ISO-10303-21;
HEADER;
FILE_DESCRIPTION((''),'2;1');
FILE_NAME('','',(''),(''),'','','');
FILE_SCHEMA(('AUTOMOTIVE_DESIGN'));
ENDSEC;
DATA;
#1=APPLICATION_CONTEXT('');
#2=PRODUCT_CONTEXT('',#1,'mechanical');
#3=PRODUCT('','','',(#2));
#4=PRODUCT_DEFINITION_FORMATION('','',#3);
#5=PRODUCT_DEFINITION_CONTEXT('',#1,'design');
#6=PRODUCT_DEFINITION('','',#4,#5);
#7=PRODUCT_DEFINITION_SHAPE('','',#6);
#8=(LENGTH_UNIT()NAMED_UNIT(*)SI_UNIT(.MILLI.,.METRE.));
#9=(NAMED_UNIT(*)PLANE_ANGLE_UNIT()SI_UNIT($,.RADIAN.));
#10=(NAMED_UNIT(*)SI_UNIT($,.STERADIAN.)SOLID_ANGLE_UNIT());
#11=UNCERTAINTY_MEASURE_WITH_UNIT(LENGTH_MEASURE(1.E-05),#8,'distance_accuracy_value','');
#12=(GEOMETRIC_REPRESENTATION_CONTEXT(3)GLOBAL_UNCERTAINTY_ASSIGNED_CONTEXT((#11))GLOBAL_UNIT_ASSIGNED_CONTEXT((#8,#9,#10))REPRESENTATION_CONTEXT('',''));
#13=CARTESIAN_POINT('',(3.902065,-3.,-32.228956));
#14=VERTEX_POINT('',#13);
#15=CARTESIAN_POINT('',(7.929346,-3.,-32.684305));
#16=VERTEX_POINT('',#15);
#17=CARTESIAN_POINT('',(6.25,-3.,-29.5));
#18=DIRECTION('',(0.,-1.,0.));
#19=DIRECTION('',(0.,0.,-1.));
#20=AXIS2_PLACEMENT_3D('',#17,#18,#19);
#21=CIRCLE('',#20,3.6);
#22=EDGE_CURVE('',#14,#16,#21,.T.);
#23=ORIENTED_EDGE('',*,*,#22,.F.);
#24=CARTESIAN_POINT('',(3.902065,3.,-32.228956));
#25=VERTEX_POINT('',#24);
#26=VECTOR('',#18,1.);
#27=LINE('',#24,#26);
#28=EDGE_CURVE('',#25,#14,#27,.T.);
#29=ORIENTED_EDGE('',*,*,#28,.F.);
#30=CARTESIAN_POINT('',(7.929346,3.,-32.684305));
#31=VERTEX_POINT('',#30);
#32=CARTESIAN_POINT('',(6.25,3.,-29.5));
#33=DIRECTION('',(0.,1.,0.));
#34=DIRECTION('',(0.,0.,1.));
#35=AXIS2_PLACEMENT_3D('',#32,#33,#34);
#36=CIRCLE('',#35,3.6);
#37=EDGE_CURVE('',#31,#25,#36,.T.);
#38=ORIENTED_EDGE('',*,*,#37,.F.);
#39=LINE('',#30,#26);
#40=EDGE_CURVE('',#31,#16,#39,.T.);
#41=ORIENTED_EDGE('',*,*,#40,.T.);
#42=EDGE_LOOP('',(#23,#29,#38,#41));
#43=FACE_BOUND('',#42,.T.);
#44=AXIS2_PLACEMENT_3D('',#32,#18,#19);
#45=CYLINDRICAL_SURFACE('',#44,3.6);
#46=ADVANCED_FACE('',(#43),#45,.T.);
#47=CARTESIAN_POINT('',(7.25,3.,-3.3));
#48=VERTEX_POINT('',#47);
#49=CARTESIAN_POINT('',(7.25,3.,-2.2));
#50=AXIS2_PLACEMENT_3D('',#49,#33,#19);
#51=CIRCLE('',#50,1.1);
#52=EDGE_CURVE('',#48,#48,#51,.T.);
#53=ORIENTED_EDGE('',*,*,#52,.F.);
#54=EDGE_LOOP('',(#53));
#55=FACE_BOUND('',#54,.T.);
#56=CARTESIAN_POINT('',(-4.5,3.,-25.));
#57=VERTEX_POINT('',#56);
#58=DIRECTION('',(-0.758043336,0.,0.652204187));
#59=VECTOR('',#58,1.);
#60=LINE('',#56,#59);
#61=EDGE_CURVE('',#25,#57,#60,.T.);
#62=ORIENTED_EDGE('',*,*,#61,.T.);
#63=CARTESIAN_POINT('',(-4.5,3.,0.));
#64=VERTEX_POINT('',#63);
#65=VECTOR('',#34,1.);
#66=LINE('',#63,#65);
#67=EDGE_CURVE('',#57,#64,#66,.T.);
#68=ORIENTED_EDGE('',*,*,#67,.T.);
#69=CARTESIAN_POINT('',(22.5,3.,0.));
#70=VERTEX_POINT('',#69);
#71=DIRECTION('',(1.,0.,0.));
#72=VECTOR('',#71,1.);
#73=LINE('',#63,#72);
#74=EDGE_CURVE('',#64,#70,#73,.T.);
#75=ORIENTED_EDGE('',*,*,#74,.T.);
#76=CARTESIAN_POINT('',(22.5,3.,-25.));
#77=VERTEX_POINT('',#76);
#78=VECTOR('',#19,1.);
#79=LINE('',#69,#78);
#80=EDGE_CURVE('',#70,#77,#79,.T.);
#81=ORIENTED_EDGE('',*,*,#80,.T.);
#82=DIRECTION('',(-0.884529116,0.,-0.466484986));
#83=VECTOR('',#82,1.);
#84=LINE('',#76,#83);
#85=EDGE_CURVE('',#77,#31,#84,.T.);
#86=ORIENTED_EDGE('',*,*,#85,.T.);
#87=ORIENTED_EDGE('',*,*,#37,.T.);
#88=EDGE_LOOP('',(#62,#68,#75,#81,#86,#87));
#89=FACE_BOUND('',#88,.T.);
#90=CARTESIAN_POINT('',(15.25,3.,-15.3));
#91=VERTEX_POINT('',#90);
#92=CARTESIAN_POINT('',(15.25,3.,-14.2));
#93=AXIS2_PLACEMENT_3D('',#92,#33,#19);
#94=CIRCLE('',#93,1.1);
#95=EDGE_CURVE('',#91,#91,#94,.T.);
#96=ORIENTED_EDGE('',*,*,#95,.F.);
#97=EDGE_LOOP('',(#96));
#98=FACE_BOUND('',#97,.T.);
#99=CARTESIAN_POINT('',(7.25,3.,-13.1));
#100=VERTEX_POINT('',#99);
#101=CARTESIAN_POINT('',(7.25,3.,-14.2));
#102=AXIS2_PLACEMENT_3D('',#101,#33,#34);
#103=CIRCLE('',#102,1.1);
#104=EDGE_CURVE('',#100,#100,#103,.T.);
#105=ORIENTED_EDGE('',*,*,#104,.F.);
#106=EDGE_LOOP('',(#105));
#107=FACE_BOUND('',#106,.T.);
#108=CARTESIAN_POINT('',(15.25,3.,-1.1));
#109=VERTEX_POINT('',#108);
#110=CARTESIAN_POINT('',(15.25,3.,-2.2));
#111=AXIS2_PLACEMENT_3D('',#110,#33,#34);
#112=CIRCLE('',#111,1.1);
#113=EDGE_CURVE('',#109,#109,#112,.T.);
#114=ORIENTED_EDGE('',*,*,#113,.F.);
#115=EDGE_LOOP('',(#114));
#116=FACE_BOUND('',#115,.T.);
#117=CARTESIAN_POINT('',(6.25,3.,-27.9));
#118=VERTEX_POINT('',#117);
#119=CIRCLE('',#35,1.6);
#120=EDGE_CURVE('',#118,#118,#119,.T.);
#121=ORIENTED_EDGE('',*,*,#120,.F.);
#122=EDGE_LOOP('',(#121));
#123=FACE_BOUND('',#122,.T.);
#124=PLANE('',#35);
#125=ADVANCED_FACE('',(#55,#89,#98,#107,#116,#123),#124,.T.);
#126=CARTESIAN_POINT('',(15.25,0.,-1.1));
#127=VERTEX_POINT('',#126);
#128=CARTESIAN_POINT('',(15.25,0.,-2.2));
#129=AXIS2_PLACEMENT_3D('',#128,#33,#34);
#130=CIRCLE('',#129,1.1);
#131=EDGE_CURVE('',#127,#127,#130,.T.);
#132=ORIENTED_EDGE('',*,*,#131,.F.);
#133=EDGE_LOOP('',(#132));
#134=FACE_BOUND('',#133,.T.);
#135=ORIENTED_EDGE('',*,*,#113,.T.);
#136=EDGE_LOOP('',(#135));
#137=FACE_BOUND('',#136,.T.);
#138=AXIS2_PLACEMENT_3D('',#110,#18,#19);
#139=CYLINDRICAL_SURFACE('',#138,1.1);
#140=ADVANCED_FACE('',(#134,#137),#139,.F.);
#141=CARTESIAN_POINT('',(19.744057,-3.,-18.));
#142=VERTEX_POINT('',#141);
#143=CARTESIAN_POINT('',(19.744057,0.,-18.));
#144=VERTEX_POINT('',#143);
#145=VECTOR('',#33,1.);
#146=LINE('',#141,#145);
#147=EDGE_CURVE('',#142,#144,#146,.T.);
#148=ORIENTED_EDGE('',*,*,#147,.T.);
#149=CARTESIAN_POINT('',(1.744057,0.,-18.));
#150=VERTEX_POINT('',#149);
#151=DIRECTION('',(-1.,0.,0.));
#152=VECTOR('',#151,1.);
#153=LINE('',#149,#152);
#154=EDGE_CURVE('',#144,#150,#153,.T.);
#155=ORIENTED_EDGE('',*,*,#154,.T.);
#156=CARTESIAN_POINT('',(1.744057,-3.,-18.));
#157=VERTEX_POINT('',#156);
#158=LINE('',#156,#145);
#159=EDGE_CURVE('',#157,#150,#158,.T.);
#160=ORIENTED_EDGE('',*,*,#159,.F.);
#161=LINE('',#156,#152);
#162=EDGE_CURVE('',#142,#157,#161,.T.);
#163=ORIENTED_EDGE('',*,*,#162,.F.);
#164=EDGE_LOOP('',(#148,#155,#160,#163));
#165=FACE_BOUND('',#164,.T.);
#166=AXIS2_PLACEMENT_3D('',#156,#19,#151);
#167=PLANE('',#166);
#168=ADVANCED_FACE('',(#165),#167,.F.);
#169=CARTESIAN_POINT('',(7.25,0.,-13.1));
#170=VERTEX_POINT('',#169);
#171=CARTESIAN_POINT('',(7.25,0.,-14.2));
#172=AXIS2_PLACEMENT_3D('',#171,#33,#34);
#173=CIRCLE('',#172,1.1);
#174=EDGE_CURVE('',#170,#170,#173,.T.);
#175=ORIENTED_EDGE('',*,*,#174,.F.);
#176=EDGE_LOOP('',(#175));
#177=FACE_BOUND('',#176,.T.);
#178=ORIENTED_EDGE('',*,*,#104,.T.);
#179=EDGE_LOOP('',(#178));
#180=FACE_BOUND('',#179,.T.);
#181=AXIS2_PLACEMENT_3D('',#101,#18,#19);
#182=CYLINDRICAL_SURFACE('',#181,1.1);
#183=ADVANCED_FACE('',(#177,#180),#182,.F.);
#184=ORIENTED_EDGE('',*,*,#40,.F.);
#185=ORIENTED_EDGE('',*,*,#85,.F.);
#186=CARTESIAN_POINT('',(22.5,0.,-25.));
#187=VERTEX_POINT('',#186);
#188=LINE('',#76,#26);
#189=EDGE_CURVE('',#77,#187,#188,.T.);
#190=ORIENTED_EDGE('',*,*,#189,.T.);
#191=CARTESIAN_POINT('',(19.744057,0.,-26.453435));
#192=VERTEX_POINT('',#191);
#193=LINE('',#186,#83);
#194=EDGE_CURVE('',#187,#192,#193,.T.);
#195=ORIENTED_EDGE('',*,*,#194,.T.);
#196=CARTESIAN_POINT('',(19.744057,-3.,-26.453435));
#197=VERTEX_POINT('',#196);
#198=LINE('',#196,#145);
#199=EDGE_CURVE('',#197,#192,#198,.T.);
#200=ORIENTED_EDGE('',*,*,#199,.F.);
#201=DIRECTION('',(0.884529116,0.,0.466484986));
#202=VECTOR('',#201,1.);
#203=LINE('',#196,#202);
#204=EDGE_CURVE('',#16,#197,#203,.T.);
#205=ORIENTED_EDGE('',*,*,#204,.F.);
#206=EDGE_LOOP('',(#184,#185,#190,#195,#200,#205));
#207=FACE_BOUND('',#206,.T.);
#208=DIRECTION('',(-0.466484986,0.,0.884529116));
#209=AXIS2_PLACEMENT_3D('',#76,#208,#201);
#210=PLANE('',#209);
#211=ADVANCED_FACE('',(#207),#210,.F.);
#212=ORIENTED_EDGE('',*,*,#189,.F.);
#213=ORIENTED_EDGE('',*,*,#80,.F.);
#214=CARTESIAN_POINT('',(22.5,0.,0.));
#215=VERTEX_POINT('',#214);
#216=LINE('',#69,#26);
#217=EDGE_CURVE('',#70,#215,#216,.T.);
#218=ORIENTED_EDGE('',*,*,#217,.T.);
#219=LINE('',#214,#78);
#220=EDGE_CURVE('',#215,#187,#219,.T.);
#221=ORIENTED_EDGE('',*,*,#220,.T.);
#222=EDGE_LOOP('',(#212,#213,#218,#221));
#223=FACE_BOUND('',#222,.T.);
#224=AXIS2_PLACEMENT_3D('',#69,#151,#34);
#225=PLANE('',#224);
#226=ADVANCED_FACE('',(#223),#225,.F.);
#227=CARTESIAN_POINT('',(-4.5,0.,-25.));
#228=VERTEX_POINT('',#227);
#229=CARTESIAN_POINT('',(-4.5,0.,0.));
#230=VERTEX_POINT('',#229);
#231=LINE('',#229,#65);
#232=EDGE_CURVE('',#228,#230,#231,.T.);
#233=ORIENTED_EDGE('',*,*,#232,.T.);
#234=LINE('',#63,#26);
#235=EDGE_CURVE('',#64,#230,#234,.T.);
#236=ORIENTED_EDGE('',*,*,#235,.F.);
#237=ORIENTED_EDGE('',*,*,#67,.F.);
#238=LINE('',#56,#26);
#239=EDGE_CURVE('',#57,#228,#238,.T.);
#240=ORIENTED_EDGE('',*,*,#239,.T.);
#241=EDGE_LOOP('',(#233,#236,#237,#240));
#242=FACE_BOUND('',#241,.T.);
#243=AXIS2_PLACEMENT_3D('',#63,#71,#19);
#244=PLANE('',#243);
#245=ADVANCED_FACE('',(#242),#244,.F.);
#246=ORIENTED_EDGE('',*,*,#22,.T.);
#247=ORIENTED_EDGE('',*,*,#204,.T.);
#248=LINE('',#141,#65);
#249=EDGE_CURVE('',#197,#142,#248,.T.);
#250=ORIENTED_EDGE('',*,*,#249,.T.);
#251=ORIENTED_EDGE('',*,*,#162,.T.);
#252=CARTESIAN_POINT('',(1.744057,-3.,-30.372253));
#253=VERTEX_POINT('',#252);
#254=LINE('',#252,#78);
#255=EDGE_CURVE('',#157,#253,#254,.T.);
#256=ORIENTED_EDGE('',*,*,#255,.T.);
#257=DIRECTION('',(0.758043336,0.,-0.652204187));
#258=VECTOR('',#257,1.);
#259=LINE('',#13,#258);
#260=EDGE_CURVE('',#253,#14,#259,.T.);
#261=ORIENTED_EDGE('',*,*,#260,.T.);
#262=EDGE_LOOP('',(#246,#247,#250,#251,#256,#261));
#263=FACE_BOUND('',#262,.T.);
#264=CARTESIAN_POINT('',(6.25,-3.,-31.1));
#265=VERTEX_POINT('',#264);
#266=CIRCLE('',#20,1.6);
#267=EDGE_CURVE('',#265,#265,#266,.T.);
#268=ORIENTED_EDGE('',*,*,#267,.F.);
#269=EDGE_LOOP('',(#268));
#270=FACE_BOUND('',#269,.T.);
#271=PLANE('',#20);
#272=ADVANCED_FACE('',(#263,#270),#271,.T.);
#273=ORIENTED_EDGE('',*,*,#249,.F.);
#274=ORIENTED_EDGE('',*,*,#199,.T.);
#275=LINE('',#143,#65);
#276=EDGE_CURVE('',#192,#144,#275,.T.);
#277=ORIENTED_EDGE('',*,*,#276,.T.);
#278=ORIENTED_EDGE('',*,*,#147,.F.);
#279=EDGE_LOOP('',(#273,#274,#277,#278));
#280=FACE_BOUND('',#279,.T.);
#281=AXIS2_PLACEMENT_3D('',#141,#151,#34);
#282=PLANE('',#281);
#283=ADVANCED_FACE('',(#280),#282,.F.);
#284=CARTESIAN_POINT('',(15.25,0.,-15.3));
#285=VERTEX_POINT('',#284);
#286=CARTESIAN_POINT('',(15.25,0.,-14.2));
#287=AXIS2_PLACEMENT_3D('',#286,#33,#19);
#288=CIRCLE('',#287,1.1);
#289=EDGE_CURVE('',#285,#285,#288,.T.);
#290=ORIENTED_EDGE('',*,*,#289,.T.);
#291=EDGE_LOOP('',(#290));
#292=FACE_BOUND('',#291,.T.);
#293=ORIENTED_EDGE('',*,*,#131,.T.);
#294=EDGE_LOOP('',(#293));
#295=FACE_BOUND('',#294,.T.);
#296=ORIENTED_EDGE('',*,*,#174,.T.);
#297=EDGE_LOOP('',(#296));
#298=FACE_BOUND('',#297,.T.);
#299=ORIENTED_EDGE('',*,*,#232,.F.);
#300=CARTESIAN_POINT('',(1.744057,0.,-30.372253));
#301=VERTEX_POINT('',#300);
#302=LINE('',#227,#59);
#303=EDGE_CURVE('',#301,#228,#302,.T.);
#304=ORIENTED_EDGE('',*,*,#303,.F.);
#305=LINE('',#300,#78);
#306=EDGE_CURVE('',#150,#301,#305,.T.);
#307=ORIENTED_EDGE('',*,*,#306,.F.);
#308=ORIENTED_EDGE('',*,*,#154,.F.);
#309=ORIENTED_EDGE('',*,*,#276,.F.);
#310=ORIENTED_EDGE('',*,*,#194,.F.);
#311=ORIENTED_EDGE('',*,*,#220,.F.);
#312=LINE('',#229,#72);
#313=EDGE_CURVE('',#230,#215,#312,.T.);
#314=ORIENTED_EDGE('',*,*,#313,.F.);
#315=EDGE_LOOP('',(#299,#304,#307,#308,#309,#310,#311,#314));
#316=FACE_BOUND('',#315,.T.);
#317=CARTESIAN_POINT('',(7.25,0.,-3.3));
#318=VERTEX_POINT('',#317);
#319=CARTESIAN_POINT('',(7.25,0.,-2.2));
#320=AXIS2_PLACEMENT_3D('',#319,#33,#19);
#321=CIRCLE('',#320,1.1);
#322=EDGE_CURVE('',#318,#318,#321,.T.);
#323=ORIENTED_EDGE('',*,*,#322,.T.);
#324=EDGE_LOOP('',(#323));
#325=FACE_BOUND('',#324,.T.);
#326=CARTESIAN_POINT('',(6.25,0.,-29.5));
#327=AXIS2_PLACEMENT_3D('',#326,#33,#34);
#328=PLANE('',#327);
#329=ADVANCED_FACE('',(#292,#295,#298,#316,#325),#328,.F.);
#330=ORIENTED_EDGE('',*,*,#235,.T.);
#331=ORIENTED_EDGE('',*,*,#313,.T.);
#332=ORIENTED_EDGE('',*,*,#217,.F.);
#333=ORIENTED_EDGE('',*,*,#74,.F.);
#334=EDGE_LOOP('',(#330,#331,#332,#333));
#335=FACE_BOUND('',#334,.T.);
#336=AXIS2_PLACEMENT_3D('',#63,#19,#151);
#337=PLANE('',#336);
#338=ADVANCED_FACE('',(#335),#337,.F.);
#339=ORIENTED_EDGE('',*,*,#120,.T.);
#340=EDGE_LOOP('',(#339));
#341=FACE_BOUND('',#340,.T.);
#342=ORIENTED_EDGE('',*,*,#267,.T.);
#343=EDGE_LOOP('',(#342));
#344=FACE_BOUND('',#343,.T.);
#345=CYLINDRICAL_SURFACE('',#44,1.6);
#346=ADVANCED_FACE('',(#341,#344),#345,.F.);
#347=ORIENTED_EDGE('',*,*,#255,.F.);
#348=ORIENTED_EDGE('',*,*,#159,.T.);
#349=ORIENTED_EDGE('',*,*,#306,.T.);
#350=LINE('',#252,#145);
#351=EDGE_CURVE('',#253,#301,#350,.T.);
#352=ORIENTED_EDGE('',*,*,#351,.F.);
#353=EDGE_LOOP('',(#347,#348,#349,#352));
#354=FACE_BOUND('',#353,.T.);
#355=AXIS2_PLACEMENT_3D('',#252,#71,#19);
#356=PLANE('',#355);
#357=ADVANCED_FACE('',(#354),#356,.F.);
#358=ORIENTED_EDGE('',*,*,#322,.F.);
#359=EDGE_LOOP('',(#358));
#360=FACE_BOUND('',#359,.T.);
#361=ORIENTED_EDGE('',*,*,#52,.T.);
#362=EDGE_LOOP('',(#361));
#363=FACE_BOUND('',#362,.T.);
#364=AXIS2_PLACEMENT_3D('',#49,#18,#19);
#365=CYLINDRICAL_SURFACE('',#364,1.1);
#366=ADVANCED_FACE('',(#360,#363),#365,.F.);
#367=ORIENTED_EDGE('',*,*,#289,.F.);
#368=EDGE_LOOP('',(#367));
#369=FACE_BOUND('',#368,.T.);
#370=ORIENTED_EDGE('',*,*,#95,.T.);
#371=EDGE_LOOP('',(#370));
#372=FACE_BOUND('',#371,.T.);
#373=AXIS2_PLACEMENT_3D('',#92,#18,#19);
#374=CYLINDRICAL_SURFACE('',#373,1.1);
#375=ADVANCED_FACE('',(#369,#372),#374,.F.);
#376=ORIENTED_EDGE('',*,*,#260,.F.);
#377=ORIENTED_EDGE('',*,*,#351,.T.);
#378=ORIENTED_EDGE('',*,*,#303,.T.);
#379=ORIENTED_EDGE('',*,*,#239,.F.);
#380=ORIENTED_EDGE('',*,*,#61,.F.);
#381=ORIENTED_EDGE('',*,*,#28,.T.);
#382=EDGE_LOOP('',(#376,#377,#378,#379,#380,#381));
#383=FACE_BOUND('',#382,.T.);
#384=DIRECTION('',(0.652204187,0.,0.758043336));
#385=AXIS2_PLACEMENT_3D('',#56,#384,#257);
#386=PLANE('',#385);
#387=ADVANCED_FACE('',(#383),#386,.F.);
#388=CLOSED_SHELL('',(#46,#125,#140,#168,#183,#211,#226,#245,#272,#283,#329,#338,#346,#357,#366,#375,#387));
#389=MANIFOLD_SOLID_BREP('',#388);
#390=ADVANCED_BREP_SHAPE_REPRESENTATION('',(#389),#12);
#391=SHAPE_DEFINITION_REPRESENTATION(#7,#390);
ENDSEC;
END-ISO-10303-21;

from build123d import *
from build123d.topology import SkipClean

# Parameters (mm, degrees)
SKETCH_2_R      = 1.1
SKETCH_2_R_2    = 1.6
EXTRUDE_1_DEPTH = 3
EXTRUDE_START   = 3
SKETCH_3_R      = 1.6
EXTRUDE_2_DEPTH = 3


with BuildPart() as part:
    # 草图2 → 凸台-拉伸1 (new body)
    with BuildSketch(Plane(origin=(0, 0, 0), x_dir=(1, 0, 0), z_dir=(0, 1, 0))):
        with BuildLine():
            Line((-4.5, 0), (22.5, 0))
            Line((22.5, 0), (22.5, 25))
            Line((22.5, 25), (7.92934595, 32.684304819))
            ThreePointArc((7.92934595, 32.684304819), (5.845539262, 33.077207222), (3.902064927, 32.228956008))
            Line((3.902064927, 32.228956008), (-4.5, 25))
            Line((-4.5, 25), (-4.5, 0))
        make_face()
        with Locations(Location((7.25, 14.2, 0), (0, 0, 270))):
            Circle(SKETCH_2_R, mode=Mode.SUBTRACT)
        with Locations(Location((15.25, 14.2, 0), (0, 0, 90))):
            Circle(SKETCH_2_R, mode=Mode.SUBTRACT)
        with Locations(Location((15.25, 2.2, 0), (0, 0, 270))):
            Circle(SKETCH_2_R, mode=Mode.SUBTRACT)
        with Locations(Location((7.25, 2.2, 0), (0, 0, 90))):
            Circle(SKETCH_2_R, mode=Mode.SUBTRACT)
        with Locations(Location((6.25, 29.5, 0), (0, 0, 270))):
            Circle(SKETCH_2_R_2, mode=Mode.SUBTRACT)
    extrude(amount=EXTRUDE_1_DEPTH)

    # 草图3 → 凸台-拉伸2 (add)
    with SkipClean():  # the faces are left unmerged after this step: merging them gives an invalid solid
        with BuildSketch(Plane.XZ.offset(EXTRUDE_START)):
            with BuildLine():
                Line((19.744057368, -26.453435321), (7.92934595, -32.684304819))
                ThreePointArc((7.92934595, -32.684304819), (5.845539262, -33.077207222), (3.902064927, -32.228956008))
                Line((3.902064927, -32.228956008), (1.744057368, -30.372252704))
                Line((1.744057368, -30.372252704), (1.744057368, -18))
                Line((1.744057368, -18), (19.744057368, -18))
                Line((19.744057368, -18), (19.744057368, -26.453435321))
            make_face()
            with Locations(Location((6.25, -29.5, 0), (0, 0, 270))):
                Circle(SKETCH_3_R, mode=Mode.SUBTRACT)
        extrude(amount=-EXTRUDE_2_DEPTH)


solid = part.part
